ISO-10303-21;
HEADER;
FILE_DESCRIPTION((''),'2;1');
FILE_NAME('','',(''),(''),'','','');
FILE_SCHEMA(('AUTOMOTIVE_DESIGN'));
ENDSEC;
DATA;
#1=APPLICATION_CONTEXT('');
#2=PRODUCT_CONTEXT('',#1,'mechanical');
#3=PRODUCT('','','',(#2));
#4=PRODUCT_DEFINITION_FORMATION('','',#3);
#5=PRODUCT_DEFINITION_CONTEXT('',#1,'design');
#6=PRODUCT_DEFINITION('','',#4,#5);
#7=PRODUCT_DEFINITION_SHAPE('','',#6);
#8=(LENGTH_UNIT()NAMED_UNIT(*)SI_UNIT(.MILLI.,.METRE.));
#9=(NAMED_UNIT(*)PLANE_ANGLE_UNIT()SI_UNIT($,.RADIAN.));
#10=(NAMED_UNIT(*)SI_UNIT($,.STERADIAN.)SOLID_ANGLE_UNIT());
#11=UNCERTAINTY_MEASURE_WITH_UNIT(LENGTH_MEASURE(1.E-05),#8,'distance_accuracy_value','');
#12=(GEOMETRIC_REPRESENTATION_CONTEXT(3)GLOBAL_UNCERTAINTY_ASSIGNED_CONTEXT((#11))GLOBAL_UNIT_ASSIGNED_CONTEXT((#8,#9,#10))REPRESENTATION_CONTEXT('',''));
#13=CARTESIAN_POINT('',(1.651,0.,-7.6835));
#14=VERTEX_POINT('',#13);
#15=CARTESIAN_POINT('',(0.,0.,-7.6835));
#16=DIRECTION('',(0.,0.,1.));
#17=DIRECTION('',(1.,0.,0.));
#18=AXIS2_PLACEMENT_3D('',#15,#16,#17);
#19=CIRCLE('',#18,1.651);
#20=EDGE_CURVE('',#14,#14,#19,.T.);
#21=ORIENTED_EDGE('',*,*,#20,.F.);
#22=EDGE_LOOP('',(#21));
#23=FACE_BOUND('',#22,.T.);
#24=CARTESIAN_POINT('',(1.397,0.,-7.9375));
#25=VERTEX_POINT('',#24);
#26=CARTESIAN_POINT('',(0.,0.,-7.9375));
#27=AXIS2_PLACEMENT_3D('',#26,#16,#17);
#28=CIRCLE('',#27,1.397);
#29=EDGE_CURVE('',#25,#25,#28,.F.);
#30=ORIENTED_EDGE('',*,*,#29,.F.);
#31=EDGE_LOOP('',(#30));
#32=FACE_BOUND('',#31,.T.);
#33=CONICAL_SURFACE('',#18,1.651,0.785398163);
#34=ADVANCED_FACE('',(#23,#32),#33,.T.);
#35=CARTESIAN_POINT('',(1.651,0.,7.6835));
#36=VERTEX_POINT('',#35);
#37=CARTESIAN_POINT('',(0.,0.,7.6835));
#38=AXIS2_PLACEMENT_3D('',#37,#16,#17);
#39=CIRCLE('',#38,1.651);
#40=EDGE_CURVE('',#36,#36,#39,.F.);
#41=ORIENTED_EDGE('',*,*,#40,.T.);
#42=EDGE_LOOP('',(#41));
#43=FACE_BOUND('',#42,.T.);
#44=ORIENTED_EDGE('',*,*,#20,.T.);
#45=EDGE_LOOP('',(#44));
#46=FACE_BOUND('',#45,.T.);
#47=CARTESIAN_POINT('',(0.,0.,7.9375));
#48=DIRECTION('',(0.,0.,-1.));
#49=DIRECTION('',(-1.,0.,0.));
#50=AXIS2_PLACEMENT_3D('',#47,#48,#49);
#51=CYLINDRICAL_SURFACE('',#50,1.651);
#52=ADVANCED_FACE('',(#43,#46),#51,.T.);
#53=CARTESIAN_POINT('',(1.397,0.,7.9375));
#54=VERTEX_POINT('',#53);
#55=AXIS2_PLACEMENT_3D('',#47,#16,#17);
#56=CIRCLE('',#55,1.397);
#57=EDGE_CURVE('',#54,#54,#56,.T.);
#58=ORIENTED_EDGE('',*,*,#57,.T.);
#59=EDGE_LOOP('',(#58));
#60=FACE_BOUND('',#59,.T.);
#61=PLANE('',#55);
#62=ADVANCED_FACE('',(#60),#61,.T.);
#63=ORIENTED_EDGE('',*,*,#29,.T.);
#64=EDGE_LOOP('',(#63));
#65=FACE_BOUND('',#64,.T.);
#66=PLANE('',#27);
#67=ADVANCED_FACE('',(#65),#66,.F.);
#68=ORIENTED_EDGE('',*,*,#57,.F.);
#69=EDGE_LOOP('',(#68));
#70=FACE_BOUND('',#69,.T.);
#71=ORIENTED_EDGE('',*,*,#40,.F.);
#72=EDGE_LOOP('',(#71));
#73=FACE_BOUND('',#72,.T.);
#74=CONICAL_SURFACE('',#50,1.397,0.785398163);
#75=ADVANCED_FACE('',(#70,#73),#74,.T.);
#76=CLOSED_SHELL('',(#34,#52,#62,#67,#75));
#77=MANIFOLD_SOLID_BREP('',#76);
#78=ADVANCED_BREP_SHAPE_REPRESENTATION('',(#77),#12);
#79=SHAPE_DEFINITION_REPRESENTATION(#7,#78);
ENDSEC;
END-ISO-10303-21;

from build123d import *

# Parameters (mm, degrees)
SKETCH1_R           = 1.651
BOSS_EXTRUDE1_DEPTH = 7.9375
CHAMFER1_SIZE       = 0.254


with BuildPart() as part:
    # Sketch1 → Boss-Extrude1 (new body, symmetric)
    with BuildSketch(Plane.XY):
        Circle(SKETCH1_R)
    extrude(amount=BOSS_EXTRUDE1_DEPTH, both=True)

    # Chamfer1
    chamfer1_edges = [part.edges().sort_by_distance(p)[0] for p in [
        (-1.651, 0, -7.9375),
        (-1.651, 0, 7.9375),
    ]]
    chamfer(chamfer1_edges, length=CHAMFER1_SIZE)


solid = part.part
